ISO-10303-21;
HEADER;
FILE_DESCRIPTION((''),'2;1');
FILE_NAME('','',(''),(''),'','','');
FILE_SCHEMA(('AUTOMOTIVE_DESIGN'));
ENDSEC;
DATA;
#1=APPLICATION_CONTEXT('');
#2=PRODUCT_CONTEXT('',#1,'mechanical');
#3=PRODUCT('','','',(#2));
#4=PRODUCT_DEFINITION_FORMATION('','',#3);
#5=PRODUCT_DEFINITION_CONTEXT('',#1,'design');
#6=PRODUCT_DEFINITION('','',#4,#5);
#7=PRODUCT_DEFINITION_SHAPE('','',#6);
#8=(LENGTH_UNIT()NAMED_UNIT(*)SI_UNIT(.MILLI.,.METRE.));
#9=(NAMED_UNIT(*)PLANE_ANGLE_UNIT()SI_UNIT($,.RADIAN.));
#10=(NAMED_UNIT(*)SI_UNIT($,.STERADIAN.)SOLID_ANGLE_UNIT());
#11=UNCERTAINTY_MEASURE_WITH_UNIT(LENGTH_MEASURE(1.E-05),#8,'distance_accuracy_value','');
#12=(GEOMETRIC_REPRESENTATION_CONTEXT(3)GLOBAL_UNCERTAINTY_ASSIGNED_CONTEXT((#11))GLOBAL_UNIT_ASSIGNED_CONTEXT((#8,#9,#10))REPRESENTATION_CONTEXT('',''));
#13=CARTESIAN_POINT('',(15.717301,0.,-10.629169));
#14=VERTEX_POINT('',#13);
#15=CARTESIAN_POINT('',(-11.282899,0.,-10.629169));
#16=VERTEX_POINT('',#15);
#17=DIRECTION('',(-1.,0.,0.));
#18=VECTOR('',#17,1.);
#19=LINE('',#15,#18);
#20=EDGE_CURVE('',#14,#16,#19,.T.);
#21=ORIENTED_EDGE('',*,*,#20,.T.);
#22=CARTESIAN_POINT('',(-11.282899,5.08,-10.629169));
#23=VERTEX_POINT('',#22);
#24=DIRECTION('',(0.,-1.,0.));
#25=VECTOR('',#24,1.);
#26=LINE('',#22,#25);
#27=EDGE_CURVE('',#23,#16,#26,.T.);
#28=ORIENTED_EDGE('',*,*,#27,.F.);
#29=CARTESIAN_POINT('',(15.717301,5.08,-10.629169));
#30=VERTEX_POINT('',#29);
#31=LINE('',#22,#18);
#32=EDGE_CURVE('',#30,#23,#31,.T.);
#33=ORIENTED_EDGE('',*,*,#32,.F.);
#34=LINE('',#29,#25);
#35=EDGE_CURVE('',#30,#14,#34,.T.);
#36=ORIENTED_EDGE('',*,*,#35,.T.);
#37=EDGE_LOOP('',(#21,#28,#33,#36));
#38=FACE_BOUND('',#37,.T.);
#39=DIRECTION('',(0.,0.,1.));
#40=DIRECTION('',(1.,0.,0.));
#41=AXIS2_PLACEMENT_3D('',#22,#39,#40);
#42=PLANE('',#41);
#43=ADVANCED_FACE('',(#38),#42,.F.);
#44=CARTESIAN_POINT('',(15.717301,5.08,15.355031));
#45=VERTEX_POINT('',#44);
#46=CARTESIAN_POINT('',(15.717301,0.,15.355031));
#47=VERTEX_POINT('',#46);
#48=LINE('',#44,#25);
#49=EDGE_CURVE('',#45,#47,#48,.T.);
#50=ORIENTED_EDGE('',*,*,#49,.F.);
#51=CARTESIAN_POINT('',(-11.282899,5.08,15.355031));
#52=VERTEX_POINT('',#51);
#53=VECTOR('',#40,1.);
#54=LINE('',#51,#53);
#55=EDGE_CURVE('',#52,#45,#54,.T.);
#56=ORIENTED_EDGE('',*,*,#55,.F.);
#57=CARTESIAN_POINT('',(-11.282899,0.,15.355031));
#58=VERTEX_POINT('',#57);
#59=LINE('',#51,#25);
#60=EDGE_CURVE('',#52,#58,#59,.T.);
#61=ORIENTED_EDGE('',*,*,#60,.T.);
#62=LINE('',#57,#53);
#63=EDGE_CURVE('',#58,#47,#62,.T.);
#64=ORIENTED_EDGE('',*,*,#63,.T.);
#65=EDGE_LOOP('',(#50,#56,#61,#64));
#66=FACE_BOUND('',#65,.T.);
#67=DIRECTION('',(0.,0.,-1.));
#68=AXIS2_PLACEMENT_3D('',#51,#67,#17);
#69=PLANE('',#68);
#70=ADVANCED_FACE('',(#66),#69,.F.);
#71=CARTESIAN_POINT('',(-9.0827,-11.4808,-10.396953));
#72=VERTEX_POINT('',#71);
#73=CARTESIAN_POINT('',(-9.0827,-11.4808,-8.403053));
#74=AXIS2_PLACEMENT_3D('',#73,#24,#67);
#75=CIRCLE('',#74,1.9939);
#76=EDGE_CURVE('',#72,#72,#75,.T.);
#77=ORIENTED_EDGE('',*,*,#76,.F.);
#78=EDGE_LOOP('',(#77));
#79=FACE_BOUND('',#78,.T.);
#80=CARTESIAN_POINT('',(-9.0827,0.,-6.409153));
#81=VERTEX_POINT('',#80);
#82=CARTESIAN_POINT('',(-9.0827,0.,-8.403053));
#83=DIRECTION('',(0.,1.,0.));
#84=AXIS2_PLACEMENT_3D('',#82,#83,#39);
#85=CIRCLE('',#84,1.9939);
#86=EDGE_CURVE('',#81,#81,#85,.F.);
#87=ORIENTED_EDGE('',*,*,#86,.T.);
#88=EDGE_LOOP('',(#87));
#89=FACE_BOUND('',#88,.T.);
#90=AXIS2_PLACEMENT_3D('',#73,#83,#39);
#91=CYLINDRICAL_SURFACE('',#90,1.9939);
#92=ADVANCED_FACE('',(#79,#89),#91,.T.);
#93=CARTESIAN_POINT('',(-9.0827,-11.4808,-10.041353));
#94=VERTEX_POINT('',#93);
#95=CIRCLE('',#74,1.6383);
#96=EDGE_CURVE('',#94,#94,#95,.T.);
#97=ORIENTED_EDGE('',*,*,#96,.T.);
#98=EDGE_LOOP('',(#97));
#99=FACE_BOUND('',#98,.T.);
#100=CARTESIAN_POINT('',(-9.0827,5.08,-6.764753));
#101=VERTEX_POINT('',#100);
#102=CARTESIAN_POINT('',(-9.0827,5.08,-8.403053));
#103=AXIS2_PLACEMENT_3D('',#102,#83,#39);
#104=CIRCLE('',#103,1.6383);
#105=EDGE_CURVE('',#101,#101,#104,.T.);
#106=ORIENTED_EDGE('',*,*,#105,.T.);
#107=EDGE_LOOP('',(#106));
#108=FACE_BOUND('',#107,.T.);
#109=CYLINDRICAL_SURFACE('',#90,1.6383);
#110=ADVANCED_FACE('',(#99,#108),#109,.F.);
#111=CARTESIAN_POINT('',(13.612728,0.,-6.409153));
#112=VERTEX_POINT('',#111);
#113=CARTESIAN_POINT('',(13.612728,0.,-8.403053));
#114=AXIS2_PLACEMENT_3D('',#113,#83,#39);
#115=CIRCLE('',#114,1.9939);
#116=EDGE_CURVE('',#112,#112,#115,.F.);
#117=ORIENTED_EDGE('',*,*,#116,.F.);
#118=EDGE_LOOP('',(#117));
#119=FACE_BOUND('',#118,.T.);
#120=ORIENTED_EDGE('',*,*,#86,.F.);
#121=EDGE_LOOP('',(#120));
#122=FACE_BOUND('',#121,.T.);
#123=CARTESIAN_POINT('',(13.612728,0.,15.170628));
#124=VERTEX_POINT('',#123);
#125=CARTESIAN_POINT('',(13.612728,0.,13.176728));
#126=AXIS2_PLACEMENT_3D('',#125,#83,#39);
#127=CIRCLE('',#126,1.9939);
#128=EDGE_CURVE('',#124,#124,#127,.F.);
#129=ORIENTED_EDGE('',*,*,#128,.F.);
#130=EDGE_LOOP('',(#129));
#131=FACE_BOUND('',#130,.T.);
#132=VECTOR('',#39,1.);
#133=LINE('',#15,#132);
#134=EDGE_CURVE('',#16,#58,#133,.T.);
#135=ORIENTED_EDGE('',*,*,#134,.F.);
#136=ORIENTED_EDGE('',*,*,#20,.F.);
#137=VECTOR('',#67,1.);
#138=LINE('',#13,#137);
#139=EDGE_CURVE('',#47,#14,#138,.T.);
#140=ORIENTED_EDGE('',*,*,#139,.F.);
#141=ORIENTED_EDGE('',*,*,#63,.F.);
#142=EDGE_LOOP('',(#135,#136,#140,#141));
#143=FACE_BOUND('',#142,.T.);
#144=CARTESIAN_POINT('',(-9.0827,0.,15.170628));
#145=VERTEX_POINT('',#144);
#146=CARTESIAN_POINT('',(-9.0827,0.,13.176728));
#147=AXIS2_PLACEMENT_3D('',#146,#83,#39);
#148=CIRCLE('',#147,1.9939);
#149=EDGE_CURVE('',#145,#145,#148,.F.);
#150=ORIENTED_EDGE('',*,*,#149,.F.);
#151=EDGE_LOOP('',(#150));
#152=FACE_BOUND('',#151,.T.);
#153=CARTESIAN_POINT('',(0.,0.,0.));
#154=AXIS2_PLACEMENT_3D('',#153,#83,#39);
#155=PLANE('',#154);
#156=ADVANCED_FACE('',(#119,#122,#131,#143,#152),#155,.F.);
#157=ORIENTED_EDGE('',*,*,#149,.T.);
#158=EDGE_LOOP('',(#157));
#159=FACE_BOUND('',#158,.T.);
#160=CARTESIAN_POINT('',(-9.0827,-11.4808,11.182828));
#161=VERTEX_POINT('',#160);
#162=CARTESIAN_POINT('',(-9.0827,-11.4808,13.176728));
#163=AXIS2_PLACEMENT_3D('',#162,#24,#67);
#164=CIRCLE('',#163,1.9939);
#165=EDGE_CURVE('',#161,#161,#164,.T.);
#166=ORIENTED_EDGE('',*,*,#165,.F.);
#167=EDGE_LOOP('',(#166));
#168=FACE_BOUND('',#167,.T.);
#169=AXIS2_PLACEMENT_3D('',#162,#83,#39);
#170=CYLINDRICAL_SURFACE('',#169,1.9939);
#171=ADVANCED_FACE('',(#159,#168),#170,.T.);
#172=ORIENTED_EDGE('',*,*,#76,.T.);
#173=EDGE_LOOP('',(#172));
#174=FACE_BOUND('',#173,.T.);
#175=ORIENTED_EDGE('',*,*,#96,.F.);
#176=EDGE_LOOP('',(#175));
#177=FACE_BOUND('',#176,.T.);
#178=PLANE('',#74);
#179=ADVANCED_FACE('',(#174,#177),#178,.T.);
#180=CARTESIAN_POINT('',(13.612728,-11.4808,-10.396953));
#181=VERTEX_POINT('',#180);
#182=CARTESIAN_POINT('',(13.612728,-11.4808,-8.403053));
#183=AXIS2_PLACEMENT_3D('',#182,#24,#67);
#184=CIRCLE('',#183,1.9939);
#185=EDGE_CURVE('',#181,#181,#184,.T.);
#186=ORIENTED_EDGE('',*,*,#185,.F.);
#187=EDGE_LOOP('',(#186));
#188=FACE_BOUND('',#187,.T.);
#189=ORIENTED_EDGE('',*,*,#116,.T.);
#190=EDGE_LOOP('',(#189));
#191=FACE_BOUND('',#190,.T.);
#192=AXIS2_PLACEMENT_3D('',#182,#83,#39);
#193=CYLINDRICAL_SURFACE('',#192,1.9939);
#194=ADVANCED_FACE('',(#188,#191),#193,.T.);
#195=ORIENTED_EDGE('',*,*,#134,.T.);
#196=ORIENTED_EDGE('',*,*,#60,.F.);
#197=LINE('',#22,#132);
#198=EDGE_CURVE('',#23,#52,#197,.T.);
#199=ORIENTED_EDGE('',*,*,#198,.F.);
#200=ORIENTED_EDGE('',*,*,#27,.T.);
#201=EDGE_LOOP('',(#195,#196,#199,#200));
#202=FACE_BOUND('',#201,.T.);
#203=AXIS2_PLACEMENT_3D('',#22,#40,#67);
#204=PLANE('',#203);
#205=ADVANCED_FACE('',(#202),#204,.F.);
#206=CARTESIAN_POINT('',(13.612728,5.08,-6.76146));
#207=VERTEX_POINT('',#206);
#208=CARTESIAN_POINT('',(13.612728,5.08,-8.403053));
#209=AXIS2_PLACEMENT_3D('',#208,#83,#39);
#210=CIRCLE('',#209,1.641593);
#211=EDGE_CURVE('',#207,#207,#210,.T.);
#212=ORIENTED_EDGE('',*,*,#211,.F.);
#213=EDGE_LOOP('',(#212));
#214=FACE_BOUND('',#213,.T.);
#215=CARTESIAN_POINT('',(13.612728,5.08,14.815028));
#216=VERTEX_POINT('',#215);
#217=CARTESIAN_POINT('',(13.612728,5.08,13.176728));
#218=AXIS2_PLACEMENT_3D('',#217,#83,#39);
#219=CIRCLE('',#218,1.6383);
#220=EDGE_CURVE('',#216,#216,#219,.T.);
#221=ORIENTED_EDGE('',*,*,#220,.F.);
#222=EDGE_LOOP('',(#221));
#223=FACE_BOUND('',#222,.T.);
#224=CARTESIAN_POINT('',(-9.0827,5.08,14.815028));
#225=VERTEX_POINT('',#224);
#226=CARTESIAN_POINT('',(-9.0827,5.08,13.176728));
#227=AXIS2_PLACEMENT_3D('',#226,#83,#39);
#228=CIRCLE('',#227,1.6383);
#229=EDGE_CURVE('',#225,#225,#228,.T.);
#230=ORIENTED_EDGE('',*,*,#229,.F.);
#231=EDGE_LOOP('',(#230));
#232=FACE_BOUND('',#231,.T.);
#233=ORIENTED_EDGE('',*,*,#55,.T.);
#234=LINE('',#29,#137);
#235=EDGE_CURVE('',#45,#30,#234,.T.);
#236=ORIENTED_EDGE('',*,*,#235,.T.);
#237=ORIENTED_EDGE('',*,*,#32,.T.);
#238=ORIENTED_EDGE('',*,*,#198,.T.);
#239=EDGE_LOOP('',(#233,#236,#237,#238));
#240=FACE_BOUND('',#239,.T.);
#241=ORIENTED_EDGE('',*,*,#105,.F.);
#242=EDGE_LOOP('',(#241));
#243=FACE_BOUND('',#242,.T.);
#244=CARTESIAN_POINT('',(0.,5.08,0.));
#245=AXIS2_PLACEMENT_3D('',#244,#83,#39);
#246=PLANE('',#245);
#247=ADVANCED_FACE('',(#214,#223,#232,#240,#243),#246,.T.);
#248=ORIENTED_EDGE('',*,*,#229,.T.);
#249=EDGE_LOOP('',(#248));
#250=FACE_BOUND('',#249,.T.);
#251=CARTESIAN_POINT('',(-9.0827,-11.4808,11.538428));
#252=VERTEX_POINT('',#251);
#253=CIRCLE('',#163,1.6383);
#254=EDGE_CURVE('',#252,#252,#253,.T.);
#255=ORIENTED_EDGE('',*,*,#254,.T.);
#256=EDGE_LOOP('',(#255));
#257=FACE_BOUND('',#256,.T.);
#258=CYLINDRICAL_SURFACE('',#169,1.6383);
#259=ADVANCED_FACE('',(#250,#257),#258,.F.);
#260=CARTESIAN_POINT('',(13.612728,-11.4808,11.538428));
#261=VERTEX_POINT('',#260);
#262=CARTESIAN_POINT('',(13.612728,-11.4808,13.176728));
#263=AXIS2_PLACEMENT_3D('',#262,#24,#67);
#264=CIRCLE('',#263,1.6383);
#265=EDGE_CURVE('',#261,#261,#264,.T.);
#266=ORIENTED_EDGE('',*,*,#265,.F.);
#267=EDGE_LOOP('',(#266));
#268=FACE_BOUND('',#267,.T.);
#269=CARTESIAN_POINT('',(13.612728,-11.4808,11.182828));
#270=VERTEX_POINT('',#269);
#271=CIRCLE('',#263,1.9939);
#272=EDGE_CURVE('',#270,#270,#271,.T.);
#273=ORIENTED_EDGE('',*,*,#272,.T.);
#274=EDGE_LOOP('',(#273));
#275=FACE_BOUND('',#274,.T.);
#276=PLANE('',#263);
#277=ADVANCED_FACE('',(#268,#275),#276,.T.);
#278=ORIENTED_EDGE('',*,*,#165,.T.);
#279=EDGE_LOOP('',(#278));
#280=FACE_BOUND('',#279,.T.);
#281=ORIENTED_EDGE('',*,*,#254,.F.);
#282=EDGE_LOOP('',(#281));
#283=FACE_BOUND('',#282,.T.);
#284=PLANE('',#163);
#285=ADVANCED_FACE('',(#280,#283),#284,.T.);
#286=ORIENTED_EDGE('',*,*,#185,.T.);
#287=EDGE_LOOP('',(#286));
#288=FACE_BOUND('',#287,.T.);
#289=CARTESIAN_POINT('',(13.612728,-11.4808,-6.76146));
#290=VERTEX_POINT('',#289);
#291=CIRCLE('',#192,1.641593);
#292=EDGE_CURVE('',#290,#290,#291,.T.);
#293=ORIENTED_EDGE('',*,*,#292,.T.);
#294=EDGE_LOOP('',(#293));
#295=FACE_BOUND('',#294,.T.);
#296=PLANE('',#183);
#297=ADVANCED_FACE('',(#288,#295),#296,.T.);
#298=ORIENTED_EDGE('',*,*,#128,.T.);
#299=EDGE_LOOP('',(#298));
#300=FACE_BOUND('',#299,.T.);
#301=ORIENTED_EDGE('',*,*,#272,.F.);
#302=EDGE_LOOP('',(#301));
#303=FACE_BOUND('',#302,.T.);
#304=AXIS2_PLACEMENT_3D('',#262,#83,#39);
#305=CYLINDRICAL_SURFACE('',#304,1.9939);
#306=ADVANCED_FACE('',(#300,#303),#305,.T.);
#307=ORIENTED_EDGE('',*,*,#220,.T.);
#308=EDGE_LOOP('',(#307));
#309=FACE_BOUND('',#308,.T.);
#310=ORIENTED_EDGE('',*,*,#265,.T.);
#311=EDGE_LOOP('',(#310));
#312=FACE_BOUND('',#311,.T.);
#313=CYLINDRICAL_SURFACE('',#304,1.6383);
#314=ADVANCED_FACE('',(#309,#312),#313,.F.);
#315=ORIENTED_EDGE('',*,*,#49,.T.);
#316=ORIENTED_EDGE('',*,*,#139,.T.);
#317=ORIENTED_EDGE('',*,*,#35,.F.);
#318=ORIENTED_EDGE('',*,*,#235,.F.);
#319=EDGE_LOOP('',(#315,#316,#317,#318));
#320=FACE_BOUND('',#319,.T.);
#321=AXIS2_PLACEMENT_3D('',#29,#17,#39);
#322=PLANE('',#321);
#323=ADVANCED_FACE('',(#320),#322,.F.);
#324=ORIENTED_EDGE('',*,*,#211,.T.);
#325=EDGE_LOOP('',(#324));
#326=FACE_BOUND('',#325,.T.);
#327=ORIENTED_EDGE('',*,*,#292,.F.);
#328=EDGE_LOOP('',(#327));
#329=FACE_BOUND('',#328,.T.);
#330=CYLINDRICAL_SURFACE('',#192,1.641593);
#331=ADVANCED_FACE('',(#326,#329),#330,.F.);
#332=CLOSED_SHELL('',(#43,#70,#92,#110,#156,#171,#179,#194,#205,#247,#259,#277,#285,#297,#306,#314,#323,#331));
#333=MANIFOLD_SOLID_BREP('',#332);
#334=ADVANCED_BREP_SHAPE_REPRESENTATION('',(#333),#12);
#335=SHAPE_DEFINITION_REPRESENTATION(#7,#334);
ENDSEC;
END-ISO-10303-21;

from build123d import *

# Parameters (mm, degrees)
SKETCH1_W               = 27.0002
SKETCH1_H               = 25.9842
BOSS_EXTRUDE1_DEPTH     = 5.08
SKETCH2_R               = 1.9939
SKETCH2_R_2             = 1.6383
BOSS_EXTRUDE2_DEPTH     = 11.4808
SKETCH3_R               = 1.641593419
SKETCH3_R_2             = 1.6383
CUT_EXTRUDE1_DEPTH      = 1
CUT_EXTRUDE1_DEPTH_BACK = 17.5608


with BuildPart() as part:
    # Sketch1 → Boss-Extrude1 (new body)
    with BuildSketch(Plane(origin=(0, 0, 0), x_dir=(1, 0, 0), z_dir=(0, 1, 0))):
        with Locations((2.217200719, -2.362930935)):
            Rectangle(SKETCH1_W, SKETCH1_H)
    extrude(amount=BOSS_EXTRUDE1_DEPTH)

    # Sketch2 → Boss-Extrude2 (add)
    with BuildSketch(Plane.XZ):
        with Locations((-9.082699611, 13.17672836)):
            Circle(SKETCH2_R)
        with Locations((-9.082699611, 13.17672836)):
            Circle(SKETCH2_R_2, mode=Mode.SUBTRACT)
        with Locations((13.612727851, 13.17672836)):
            Circle(SKETCH2_R)
        with Locations((13.612727851, 13.17672836)):
            Circle(SKETCH2_R_2, mode=Mode.SUBTRACT)
        with Locations((-9.082699611, -8.403053089)):
            Circle(SKETCH2_R)
        with Locations((-9.082699611, -8.403053089)):
            Circle(SKETCH2_R_2, mode=Mode.SUBTRACT)
        with Locations((13.612727851, -8.403053089)):
            Circle(SKETCH2_R)
        with Locations((13.612727851, -8.403053089)):
            Circle(SKETCH2_R_2, mode=Mode.SUBTRACT)
    extrude(amount=BOSS_EXTRUDE2_DEPTH)

    # Sketch3 → Cut-Extrude1 (cut, two sides)
    with BuildSketch(Plane(origin=(0, 5.08, 0), x_dir=(1, 0, 0), z_dir=(0, 1, 0))) as cut_extrude1_sk:
        with Locations((13.612727851, 8.403053089)):
            Circle(SKETCH3_R)
        with Locations((-9.082699611, 8.403053089)):
            Circle(SKETCH3_R_2)
        with Locations((13.612727851, -13.17672836)):
            Circle(SKETCH3_R_2)
        with Locations((-9.082699611, -13.17672836)):
            Circle(SKETCH3_R_2)
    extrude(amount=CUT_EXTRUDE1_DEPTH, mode=Mode.SUBTRACT)
    extrude(cut_extrude1_sk.sketch, amount=-CUT_EXTRUDE1_DEPTH_BACK, mode=Mode.SUBTRACT)


solid = part.part
